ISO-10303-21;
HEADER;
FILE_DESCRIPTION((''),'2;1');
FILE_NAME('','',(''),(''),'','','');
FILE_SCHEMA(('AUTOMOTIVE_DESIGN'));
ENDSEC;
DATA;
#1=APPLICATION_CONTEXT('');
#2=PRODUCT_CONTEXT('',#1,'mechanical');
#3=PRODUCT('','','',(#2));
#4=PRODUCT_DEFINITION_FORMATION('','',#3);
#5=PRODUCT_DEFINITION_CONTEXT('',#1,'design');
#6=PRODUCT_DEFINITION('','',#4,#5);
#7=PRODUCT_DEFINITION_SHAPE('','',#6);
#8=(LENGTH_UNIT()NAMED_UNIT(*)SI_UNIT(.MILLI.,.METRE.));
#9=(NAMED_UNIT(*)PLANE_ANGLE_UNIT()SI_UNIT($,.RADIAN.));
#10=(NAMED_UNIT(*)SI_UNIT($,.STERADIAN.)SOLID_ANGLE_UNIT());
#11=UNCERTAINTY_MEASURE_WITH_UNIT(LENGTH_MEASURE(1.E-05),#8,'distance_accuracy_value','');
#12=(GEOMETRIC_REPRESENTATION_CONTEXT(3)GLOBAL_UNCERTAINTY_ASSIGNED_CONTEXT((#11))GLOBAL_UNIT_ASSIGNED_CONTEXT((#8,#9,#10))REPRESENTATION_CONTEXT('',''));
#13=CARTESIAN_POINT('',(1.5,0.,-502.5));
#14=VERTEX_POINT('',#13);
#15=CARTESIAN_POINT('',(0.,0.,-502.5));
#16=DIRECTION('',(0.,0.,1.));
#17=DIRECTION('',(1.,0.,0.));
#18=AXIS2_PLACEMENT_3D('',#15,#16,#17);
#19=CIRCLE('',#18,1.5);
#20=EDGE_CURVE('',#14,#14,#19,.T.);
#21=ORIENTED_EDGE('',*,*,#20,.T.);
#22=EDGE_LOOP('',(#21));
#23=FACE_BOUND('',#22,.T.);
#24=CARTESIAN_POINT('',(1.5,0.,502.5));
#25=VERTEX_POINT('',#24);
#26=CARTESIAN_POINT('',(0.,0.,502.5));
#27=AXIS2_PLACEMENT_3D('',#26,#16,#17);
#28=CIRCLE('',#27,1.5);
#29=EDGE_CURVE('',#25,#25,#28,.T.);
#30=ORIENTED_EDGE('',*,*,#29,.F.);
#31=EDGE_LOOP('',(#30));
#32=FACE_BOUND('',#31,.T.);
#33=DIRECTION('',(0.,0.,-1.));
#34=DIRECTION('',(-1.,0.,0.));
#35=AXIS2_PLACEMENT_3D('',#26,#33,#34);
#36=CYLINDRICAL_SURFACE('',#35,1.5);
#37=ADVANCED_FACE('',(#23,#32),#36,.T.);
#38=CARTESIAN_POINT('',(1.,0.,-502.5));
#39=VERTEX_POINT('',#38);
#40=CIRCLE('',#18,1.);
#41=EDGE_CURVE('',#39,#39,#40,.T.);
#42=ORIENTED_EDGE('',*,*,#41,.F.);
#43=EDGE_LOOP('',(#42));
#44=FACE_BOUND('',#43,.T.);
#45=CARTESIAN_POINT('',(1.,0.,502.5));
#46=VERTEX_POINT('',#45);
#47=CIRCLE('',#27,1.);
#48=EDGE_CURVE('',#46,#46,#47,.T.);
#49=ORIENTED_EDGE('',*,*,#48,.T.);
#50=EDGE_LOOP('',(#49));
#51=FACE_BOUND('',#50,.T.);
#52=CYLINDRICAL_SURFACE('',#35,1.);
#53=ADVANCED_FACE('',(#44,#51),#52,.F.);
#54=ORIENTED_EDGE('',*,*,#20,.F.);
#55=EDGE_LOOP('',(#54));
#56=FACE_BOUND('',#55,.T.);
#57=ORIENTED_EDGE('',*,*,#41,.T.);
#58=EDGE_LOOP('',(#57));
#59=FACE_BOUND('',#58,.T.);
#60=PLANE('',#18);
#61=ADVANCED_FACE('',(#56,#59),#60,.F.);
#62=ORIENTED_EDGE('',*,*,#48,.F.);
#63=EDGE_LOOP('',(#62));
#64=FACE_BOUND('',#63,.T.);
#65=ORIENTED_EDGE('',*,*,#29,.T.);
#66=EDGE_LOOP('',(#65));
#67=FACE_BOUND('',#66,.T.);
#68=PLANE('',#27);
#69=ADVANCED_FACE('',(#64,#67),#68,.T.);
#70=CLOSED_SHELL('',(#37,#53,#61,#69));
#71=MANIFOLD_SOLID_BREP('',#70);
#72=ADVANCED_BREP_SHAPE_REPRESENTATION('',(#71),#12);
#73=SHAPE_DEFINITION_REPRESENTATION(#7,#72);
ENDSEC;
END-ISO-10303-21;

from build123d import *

# Parameters (mm, degrees)
PROFILES_R    = 1.5
PROFILES_R_2  = 1
PROFILE_DEPTH = 502.5


with BuildPart() as part:
    # ProfileS → Profile (new, symmetric)
    with BuildSketch(Plane.XY):
        Circle(PROFILES_R)
        Circle(PROFILES_R_2, mode=Mode.SUBTRACT)
    extrude(amount=PROFILE_DEPTH, both=True)


solid = part.part
